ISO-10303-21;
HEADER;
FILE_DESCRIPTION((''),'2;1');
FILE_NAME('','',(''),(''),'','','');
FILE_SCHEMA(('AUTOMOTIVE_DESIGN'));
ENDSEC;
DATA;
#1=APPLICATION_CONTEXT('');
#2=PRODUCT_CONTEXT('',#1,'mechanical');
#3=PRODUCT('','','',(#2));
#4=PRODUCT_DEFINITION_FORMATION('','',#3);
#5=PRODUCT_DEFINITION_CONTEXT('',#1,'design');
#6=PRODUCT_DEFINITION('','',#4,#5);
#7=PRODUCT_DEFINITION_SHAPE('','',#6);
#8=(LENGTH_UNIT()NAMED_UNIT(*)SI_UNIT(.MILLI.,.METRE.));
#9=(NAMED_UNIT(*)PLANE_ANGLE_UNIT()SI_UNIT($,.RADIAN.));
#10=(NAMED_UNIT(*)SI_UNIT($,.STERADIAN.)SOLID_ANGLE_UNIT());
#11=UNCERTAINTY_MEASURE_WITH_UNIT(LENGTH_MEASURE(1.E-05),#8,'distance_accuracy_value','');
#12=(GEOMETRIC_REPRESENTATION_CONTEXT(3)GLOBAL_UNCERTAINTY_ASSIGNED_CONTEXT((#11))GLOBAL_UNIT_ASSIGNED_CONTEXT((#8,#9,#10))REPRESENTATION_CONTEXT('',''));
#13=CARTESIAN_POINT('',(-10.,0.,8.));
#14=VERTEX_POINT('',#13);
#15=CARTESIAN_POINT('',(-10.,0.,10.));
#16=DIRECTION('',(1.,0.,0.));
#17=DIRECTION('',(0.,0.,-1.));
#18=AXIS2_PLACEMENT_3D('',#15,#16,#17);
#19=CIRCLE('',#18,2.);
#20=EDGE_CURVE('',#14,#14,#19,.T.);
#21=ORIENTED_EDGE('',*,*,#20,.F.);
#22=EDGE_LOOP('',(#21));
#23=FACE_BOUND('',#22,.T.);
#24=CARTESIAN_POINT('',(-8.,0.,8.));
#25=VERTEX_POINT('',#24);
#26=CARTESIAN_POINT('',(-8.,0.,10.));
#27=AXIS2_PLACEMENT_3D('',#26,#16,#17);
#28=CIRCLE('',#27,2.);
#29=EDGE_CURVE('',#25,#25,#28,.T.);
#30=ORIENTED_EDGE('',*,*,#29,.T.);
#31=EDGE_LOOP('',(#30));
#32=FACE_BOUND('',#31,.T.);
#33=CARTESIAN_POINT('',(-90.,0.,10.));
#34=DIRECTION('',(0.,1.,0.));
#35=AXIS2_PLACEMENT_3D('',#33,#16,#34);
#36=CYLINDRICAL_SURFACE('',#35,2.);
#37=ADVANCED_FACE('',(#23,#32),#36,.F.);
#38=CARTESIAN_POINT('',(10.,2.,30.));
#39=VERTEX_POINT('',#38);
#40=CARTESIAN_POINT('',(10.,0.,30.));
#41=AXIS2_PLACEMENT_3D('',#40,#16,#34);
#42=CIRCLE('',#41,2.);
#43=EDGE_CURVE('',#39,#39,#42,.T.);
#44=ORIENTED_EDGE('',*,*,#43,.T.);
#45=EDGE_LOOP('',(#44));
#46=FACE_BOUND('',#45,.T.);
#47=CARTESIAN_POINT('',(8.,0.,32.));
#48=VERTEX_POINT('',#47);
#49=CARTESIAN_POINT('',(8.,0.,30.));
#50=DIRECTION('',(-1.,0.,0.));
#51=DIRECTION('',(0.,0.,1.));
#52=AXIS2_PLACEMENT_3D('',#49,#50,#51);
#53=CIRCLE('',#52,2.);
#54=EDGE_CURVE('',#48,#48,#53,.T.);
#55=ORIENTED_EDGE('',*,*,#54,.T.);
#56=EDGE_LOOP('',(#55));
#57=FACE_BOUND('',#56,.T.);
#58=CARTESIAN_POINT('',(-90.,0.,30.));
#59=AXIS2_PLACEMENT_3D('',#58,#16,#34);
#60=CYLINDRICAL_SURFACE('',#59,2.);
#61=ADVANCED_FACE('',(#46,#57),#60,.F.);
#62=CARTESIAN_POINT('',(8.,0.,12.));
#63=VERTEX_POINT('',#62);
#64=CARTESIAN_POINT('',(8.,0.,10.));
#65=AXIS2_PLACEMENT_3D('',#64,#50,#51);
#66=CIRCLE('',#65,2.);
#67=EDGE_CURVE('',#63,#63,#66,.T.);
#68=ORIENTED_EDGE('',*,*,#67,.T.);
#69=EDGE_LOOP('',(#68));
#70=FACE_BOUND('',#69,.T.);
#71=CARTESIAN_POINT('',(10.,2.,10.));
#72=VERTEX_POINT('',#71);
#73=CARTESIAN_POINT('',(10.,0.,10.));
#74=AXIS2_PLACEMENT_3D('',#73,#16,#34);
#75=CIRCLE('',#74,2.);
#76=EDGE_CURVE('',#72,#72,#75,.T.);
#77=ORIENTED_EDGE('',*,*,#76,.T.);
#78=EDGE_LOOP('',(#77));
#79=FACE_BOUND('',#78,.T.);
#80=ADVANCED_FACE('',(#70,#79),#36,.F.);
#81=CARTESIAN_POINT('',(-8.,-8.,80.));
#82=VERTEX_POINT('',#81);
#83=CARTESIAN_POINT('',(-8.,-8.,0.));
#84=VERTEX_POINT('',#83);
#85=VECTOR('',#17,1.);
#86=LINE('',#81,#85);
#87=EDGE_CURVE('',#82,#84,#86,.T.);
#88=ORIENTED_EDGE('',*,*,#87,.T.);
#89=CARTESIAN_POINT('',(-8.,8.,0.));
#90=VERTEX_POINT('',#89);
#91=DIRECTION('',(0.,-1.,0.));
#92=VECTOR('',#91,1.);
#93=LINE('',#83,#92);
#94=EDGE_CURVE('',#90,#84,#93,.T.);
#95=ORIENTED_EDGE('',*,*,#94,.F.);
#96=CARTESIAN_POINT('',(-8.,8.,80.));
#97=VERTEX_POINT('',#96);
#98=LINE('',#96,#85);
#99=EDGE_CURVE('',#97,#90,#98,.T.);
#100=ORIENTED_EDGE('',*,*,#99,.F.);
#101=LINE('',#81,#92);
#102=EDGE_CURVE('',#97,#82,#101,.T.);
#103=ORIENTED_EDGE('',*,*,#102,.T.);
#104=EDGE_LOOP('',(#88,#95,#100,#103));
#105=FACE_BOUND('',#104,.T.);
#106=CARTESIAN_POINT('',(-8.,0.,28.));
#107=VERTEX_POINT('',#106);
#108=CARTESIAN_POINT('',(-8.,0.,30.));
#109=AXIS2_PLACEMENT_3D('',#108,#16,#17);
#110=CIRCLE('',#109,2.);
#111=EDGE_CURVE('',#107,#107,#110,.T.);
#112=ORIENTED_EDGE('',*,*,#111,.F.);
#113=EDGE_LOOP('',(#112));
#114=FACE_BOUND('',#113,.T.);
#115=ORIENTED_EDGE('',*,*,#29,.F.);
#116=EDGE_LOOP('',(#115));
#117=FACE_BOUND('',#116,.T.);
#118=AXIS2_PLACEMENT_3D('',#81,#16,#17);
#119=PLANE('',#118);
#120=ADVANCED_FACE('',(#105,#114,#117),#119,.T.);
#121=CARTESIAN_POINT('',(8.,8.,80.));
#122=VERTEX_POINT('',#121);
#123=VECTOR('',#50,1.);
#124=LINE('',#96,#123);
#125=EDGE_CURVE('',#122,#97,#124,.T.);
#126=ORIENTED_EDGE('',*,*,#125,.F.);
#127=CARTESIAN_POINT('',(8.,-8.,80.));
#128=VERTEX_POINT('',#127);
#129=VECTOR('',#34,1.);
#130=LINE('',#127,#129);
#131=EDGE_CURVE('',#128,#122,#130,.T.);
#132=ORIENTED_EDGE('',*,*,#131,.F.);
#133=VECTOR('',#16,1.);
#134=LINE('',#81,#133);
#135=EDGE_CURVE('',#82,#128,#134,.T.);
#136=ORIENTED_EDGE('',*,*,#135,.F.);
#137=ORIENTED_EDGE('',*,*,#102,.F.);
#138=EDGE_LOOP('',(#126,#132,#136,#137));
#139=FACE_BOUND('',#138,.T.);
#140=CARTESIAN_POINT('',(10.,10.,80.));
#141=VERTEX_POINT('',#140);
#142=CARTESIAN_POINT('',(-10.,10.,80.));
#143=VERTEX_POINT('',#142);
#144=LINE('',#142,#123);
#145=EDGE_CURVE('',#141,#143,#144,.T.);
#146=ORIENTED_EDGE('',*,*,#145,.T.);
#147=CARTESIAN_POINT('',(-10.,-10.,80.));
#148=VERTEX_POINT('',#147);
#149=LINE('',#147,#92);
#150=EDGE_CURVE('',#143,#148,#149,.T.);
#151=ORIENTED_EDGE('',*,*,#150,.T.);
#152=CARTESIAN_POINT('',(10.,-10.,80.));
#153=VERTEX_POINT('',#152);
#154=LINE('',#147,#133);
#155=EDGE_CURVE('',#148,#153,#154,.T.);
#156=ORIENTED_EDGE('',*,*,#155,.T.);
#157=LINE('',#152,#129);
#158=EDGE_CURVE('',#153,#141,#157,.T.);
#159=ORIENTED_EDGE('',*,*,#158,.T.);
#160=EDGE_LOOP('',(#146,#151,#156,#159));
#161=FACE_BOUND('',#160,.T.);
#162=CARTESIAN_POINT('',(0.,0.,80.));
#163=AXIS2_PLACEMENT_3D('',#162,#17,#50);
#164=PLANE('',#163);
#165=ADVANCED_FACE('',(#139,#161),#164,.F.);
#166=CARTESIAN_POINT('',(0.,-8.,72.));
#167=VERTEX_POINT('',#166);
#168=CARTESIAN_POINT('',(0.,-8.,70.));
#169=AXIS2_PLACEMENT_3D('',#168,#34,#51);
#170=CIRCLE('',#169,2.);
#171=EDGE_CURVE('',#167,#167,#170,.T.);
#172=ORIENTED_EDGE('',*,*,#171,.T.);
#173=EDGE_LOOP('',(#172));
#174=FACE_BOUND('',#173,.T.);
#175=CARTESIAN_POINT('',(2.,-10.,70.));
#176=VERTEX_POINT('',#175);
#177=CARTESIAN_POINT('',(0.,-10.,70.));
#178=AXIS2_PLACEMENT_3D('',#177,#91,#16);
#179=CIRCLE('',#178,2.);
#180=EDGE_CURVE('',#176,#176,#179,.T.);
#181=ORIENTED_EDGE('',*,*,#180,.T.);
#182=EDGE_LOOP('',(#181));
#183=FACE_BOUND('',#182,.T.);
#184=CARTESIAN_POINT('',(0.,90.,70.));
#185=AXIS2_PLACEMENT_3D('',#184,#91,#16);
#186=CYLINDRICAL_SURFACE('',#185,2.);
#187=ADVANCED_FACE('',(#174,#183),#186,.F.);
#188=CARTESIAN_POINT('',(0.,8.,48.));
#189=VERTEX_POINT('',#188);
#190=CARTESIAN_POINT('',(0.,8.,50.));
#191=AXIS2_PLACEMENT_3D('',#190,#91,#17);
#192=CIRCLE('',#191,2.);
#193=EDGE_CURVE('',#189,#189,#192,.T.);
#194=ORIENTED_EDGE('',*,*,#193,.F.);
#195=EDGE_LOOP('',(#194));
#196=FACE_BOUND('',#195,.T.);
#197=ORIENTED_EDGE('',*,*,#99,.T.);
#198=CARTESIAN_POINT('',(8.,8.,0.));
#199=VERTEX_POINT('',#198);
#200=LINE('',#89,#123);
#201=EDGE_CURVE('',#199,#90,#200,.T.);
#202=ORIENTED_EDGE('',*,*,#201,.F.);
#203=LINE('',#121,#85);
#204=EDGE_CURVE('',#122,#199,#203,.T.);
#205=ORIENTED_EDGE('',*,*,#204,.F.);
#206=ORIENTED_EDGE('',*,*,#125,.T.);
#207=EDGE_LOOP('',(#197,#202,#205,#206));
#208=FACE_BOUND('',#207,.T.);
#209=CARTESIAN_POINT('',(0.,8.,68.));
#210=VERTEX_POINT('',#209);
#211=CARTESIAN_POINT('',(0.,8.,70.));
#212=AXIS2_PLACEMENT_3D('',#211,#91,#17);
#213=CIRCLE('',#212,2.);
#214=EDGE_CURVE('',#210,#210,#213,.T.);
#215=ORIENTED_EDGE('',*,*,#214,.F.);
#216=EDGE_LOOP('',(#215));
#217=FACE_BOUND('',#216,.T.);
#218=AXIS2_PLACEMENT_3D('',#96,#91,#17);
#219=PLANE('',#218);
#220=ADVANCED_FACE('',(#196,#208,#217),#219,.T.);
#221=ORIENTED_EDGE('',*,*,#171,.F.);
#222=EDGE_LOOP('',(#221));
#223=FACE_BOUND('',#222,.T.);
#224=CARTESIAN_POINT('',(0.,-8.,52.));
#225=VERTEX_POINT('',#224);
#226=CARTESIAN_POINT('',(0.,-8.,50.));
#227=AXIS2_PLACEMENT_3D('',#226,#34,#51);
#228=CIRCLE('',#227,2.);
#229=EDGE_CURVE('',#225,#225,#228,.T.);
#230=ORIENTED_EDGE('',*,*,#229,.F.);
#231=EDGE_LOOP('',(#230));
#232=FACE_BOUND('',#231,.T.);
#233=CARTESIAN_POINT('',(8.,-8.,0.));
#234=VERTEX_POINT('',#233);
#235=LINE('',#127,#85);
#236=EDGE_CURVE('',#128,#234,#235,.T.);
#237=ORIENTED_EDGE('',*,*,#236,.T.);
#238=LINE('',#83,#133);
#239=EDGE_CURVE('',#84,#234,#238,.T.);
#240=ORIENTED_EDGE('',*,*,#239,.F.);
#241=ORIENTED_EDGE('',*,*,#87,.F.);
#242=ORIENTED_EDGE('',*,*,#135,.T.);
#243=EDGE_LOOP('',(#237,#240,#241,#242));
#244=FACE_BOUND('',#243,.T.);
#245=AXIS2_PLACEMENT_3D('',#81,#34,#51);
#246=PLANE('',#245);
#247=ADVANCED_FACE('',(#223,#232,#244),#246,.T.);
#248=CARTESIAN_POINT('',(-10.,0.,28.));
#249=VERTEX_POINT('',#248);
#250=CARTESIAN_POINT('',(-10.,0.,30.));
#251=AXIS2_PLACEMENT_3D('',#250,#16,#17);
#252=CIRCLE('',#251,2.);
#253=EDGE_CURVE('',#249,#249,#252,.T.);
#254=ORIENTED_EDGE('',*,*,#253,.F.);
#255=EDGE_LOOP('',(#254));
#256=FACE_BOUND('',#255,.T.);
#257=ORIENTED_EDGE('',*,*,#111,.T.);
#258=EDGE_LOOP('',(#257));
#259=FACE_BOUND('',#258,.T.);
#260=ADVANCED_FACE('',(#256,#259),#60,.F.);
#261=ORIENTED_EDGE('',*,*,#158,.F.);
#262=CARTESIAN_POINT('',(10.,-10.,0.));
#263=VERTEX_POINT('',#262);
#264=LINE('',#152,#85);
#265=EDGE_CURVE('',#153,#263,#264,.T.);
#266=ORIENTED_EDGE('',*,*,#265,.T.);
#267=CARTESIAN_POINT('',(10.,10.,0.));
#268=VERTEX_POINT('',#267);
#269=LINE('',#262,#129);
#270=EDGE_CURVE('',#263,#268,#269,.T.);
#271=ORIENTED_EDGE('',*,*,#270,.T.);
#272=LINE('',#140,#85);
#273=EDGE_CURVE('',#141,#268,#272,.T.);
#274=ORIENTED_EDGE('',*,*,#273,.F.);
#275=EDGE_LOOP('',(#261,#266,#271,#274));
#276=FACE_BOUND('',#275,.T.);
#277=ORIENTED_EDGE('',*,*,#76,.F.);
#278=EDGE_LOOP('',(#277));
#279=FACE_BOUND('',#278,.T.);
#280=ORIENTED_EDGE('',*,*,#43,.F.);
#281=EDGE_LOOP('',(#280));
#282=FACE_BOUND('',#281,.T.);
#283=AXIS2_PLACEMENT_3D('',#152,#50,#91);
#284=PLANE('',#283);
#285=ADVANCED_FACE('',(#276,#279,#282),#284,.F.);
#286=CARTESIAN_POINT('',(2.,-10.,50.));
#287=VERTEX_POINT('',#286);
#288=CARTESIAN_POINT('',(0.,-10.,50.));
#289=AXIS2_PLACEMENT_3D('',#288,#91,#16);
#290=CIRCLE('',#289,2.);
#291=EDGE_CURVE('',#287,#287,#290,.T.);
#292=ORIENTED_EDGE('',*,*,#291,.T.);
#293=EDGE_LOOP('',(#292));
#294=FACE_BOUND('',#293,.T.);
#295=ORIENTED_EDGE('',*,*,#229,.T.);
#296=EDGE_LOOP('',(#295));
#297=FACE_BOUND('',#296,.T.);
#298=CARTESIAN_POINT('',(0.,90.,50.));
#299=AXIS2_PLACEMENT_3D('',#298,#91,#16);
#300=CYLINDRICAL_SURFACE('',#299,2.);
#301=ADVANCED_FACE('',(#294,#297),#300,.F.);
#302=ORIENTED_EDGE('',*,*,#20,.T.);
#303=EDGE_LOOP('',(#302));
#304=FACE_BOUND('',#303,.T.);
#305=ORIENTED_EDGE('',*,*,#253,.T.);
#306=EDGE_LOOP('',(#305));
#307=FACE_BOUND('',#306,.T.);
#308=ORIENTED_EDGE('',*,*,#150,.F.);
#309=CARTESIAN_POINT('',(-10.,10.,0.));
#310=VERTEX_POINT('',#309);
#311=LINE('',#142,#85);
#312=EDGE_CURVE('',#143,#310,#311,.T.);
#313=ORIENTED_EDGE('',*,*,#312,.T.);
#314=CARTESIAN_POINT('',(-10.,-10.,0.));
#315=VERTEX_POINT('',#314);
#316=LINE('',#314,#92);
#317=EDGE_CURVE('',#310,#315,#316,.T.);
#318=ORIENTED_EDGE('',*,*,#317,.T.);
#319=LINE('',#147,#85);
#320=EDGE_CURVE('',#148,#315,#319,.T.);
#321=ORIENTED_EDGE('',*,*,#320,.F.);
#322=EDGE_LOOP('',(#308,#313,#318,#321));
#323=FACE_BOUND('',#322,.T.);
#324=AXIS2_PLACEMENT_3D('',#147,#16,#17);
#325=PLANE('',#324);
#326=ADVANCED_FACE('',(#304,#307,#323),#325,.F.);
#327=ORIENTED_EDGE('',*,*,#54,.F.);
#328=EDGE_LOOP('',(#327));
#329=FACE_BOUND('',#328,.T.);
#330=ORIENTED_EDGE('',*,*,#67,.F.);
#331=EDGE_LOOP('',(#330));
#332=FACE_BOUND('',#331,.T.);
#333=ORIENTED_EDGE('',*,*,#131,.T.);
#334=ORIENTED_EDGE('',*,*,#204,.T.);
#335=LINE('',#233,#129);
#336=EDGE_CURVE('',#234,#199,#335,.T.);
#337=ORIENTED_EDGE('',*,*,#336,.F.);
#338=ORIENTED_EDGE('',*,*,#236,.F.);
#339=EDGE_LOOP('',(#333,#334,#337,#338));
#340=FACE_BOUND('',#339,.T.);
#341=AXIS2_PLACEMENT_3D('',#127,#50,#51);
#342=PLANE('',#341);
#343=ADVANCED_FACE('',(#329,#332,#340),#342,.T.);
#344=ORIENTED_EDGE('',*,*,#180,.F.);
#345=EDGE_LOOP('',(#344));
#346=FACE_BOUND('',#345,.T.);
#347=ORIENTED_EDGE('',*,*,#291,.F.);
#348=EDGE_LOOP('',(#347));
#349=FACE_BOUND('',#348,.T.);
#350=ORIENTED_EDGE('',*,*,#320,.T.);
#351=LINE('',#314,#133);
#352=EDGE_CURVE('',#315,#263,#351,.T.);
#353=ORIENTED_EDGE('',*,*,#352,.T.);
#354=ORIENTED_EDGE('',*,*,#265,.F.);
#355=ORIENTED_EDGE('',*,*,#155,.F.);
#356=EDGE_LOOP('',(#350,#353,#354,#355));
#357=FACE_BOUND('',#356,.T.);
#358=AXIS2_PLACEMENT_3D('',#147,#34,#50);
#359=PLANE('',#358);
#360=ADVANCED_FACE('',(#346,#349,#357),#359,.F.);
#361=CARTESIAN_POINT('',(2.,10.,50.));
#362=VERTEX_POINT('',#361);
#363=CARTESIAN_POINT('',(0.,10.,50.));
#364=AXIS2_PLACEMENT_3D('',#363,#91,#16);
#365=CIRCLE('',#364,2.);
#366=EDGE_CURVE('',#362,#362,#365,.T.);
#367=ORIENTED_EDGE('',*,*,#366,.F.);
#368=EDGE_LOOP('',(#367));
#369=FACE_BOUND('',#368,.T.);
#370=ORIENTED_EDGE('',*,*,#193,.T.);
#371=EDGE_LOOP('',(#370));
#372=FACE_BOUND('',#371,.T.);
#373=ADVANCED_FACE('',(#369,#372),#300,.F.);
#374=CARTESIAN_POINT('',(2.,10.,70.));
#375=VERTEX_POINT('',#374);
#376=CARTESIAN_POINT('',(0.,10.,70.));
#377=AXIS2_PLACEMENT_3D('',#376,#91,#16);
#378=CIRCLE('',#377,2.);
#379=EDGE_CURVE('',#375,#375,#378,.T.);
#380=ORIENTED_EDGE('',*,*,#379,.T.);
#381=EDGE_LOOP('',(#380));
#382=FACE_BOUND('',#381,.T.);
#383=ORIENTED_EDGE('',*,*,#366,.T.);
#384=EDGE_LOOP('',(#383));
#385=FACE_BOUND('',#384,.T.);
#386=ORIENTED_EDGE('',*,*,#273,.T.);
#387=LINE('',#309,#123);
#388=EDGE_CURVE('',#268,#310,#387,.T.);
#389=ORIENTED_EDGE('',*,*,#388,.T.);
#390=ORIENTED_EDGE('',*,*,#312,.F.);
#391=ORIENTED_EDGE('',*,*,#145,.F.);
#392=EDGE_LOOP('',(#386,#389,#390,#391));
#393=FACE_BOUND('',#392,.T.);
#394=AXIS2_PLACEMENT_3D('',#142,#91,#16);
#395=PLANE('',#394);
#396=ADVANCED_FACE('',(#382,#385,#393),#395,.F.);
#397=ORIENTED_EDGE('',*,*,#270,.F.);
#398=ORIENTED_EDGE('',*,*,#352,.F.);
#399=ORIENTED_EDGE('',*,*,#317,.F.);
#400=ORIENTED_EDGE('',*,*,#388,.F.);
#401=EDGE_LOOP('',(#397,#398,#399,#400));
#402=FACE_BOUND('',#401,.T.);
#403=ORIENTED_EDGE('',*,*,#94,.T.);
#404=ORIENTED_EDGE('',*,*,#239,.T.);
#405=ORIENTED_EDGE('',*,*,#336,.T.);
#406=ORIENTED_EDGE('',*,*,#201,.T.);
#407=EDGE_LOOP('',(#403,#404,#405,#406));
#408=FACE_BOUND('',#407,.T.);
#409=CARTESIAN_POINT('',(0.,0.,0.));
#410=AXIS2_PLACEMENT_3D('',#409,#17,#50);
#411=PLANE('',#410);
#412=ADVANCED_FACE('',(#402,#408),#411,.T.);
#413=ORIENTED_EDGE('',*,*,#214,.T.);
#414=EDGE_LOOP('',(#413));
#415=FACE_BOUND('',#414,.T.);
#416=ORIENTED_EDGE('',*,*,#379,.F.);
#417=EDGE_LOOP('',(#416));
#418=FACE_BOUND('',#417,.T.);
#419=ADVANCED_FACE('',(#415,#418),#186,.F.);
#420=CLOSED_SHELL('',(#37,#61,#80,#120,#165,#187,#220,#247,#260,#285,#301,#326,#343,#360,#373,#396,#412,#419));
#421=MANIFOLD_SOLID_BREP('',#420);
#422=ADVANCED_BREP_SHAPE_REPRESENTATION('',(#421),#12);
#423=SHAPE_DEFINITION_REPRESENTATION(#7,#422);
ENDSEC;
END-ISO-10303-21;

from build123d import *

# Parameters (mm, degrees)
SKETCH_1_W          = 20
SKETCH_1_H          = 20
SKETCH_1_W_2        = 16
SKETCH_1_H_2        = 16
EXTRUDE_1_DEPTH     = 80
SKETCH_2_R          = 2
CUT_EXTRUDE_1_DEPTH = 100
SKETCH_3_R          = 2
CUT_EXTRUDE_2_DEPTH = 100


with BuildPart() as part:
    # 草图1 → 凸台-拉伸1 (new body)
    with BuildSketch(Plane.XY):
        Rectangle(SKETCH_1_W, SKETCH_1_H)
        Rectangle(SKETCH_1_W_2, SKETCH_1_H_2, mode=Mode.SUBTRACT)
    extrude(amount=EXTRUDE_1_DEPTH)

    # 草图2 → 切除-拉伸1 (cut)
    with BuildSketch(Plane(origin=(10, 0, 0), x_dir=(0, 0, -1), z_dir=(1, 0, 0))):
        with Locations((-10, 0)):
            Circle(SKETCH_2_R)
        with Locations((-30, 0)):
            Circle(SKETCH_2_R)
    extrude(amount=-CUT_EXTRUDE_1_DEPTH, mode=Mode.SUBTRACT)

    # 草图3 → 切除-拉伸2 (cut)
    with BuildSketch(Plane.XZ.offset(10)):
        with Locations((0, 50)):
            Circle(SKETCH_3_R)
        with Locations((0, 70)):
            Circle(SKETCH_3_R)
    extrude(amount=-CUT_EXTRUDE_2_DEPTH, mode=Mode.SUBTRACT)


solid = part.part
